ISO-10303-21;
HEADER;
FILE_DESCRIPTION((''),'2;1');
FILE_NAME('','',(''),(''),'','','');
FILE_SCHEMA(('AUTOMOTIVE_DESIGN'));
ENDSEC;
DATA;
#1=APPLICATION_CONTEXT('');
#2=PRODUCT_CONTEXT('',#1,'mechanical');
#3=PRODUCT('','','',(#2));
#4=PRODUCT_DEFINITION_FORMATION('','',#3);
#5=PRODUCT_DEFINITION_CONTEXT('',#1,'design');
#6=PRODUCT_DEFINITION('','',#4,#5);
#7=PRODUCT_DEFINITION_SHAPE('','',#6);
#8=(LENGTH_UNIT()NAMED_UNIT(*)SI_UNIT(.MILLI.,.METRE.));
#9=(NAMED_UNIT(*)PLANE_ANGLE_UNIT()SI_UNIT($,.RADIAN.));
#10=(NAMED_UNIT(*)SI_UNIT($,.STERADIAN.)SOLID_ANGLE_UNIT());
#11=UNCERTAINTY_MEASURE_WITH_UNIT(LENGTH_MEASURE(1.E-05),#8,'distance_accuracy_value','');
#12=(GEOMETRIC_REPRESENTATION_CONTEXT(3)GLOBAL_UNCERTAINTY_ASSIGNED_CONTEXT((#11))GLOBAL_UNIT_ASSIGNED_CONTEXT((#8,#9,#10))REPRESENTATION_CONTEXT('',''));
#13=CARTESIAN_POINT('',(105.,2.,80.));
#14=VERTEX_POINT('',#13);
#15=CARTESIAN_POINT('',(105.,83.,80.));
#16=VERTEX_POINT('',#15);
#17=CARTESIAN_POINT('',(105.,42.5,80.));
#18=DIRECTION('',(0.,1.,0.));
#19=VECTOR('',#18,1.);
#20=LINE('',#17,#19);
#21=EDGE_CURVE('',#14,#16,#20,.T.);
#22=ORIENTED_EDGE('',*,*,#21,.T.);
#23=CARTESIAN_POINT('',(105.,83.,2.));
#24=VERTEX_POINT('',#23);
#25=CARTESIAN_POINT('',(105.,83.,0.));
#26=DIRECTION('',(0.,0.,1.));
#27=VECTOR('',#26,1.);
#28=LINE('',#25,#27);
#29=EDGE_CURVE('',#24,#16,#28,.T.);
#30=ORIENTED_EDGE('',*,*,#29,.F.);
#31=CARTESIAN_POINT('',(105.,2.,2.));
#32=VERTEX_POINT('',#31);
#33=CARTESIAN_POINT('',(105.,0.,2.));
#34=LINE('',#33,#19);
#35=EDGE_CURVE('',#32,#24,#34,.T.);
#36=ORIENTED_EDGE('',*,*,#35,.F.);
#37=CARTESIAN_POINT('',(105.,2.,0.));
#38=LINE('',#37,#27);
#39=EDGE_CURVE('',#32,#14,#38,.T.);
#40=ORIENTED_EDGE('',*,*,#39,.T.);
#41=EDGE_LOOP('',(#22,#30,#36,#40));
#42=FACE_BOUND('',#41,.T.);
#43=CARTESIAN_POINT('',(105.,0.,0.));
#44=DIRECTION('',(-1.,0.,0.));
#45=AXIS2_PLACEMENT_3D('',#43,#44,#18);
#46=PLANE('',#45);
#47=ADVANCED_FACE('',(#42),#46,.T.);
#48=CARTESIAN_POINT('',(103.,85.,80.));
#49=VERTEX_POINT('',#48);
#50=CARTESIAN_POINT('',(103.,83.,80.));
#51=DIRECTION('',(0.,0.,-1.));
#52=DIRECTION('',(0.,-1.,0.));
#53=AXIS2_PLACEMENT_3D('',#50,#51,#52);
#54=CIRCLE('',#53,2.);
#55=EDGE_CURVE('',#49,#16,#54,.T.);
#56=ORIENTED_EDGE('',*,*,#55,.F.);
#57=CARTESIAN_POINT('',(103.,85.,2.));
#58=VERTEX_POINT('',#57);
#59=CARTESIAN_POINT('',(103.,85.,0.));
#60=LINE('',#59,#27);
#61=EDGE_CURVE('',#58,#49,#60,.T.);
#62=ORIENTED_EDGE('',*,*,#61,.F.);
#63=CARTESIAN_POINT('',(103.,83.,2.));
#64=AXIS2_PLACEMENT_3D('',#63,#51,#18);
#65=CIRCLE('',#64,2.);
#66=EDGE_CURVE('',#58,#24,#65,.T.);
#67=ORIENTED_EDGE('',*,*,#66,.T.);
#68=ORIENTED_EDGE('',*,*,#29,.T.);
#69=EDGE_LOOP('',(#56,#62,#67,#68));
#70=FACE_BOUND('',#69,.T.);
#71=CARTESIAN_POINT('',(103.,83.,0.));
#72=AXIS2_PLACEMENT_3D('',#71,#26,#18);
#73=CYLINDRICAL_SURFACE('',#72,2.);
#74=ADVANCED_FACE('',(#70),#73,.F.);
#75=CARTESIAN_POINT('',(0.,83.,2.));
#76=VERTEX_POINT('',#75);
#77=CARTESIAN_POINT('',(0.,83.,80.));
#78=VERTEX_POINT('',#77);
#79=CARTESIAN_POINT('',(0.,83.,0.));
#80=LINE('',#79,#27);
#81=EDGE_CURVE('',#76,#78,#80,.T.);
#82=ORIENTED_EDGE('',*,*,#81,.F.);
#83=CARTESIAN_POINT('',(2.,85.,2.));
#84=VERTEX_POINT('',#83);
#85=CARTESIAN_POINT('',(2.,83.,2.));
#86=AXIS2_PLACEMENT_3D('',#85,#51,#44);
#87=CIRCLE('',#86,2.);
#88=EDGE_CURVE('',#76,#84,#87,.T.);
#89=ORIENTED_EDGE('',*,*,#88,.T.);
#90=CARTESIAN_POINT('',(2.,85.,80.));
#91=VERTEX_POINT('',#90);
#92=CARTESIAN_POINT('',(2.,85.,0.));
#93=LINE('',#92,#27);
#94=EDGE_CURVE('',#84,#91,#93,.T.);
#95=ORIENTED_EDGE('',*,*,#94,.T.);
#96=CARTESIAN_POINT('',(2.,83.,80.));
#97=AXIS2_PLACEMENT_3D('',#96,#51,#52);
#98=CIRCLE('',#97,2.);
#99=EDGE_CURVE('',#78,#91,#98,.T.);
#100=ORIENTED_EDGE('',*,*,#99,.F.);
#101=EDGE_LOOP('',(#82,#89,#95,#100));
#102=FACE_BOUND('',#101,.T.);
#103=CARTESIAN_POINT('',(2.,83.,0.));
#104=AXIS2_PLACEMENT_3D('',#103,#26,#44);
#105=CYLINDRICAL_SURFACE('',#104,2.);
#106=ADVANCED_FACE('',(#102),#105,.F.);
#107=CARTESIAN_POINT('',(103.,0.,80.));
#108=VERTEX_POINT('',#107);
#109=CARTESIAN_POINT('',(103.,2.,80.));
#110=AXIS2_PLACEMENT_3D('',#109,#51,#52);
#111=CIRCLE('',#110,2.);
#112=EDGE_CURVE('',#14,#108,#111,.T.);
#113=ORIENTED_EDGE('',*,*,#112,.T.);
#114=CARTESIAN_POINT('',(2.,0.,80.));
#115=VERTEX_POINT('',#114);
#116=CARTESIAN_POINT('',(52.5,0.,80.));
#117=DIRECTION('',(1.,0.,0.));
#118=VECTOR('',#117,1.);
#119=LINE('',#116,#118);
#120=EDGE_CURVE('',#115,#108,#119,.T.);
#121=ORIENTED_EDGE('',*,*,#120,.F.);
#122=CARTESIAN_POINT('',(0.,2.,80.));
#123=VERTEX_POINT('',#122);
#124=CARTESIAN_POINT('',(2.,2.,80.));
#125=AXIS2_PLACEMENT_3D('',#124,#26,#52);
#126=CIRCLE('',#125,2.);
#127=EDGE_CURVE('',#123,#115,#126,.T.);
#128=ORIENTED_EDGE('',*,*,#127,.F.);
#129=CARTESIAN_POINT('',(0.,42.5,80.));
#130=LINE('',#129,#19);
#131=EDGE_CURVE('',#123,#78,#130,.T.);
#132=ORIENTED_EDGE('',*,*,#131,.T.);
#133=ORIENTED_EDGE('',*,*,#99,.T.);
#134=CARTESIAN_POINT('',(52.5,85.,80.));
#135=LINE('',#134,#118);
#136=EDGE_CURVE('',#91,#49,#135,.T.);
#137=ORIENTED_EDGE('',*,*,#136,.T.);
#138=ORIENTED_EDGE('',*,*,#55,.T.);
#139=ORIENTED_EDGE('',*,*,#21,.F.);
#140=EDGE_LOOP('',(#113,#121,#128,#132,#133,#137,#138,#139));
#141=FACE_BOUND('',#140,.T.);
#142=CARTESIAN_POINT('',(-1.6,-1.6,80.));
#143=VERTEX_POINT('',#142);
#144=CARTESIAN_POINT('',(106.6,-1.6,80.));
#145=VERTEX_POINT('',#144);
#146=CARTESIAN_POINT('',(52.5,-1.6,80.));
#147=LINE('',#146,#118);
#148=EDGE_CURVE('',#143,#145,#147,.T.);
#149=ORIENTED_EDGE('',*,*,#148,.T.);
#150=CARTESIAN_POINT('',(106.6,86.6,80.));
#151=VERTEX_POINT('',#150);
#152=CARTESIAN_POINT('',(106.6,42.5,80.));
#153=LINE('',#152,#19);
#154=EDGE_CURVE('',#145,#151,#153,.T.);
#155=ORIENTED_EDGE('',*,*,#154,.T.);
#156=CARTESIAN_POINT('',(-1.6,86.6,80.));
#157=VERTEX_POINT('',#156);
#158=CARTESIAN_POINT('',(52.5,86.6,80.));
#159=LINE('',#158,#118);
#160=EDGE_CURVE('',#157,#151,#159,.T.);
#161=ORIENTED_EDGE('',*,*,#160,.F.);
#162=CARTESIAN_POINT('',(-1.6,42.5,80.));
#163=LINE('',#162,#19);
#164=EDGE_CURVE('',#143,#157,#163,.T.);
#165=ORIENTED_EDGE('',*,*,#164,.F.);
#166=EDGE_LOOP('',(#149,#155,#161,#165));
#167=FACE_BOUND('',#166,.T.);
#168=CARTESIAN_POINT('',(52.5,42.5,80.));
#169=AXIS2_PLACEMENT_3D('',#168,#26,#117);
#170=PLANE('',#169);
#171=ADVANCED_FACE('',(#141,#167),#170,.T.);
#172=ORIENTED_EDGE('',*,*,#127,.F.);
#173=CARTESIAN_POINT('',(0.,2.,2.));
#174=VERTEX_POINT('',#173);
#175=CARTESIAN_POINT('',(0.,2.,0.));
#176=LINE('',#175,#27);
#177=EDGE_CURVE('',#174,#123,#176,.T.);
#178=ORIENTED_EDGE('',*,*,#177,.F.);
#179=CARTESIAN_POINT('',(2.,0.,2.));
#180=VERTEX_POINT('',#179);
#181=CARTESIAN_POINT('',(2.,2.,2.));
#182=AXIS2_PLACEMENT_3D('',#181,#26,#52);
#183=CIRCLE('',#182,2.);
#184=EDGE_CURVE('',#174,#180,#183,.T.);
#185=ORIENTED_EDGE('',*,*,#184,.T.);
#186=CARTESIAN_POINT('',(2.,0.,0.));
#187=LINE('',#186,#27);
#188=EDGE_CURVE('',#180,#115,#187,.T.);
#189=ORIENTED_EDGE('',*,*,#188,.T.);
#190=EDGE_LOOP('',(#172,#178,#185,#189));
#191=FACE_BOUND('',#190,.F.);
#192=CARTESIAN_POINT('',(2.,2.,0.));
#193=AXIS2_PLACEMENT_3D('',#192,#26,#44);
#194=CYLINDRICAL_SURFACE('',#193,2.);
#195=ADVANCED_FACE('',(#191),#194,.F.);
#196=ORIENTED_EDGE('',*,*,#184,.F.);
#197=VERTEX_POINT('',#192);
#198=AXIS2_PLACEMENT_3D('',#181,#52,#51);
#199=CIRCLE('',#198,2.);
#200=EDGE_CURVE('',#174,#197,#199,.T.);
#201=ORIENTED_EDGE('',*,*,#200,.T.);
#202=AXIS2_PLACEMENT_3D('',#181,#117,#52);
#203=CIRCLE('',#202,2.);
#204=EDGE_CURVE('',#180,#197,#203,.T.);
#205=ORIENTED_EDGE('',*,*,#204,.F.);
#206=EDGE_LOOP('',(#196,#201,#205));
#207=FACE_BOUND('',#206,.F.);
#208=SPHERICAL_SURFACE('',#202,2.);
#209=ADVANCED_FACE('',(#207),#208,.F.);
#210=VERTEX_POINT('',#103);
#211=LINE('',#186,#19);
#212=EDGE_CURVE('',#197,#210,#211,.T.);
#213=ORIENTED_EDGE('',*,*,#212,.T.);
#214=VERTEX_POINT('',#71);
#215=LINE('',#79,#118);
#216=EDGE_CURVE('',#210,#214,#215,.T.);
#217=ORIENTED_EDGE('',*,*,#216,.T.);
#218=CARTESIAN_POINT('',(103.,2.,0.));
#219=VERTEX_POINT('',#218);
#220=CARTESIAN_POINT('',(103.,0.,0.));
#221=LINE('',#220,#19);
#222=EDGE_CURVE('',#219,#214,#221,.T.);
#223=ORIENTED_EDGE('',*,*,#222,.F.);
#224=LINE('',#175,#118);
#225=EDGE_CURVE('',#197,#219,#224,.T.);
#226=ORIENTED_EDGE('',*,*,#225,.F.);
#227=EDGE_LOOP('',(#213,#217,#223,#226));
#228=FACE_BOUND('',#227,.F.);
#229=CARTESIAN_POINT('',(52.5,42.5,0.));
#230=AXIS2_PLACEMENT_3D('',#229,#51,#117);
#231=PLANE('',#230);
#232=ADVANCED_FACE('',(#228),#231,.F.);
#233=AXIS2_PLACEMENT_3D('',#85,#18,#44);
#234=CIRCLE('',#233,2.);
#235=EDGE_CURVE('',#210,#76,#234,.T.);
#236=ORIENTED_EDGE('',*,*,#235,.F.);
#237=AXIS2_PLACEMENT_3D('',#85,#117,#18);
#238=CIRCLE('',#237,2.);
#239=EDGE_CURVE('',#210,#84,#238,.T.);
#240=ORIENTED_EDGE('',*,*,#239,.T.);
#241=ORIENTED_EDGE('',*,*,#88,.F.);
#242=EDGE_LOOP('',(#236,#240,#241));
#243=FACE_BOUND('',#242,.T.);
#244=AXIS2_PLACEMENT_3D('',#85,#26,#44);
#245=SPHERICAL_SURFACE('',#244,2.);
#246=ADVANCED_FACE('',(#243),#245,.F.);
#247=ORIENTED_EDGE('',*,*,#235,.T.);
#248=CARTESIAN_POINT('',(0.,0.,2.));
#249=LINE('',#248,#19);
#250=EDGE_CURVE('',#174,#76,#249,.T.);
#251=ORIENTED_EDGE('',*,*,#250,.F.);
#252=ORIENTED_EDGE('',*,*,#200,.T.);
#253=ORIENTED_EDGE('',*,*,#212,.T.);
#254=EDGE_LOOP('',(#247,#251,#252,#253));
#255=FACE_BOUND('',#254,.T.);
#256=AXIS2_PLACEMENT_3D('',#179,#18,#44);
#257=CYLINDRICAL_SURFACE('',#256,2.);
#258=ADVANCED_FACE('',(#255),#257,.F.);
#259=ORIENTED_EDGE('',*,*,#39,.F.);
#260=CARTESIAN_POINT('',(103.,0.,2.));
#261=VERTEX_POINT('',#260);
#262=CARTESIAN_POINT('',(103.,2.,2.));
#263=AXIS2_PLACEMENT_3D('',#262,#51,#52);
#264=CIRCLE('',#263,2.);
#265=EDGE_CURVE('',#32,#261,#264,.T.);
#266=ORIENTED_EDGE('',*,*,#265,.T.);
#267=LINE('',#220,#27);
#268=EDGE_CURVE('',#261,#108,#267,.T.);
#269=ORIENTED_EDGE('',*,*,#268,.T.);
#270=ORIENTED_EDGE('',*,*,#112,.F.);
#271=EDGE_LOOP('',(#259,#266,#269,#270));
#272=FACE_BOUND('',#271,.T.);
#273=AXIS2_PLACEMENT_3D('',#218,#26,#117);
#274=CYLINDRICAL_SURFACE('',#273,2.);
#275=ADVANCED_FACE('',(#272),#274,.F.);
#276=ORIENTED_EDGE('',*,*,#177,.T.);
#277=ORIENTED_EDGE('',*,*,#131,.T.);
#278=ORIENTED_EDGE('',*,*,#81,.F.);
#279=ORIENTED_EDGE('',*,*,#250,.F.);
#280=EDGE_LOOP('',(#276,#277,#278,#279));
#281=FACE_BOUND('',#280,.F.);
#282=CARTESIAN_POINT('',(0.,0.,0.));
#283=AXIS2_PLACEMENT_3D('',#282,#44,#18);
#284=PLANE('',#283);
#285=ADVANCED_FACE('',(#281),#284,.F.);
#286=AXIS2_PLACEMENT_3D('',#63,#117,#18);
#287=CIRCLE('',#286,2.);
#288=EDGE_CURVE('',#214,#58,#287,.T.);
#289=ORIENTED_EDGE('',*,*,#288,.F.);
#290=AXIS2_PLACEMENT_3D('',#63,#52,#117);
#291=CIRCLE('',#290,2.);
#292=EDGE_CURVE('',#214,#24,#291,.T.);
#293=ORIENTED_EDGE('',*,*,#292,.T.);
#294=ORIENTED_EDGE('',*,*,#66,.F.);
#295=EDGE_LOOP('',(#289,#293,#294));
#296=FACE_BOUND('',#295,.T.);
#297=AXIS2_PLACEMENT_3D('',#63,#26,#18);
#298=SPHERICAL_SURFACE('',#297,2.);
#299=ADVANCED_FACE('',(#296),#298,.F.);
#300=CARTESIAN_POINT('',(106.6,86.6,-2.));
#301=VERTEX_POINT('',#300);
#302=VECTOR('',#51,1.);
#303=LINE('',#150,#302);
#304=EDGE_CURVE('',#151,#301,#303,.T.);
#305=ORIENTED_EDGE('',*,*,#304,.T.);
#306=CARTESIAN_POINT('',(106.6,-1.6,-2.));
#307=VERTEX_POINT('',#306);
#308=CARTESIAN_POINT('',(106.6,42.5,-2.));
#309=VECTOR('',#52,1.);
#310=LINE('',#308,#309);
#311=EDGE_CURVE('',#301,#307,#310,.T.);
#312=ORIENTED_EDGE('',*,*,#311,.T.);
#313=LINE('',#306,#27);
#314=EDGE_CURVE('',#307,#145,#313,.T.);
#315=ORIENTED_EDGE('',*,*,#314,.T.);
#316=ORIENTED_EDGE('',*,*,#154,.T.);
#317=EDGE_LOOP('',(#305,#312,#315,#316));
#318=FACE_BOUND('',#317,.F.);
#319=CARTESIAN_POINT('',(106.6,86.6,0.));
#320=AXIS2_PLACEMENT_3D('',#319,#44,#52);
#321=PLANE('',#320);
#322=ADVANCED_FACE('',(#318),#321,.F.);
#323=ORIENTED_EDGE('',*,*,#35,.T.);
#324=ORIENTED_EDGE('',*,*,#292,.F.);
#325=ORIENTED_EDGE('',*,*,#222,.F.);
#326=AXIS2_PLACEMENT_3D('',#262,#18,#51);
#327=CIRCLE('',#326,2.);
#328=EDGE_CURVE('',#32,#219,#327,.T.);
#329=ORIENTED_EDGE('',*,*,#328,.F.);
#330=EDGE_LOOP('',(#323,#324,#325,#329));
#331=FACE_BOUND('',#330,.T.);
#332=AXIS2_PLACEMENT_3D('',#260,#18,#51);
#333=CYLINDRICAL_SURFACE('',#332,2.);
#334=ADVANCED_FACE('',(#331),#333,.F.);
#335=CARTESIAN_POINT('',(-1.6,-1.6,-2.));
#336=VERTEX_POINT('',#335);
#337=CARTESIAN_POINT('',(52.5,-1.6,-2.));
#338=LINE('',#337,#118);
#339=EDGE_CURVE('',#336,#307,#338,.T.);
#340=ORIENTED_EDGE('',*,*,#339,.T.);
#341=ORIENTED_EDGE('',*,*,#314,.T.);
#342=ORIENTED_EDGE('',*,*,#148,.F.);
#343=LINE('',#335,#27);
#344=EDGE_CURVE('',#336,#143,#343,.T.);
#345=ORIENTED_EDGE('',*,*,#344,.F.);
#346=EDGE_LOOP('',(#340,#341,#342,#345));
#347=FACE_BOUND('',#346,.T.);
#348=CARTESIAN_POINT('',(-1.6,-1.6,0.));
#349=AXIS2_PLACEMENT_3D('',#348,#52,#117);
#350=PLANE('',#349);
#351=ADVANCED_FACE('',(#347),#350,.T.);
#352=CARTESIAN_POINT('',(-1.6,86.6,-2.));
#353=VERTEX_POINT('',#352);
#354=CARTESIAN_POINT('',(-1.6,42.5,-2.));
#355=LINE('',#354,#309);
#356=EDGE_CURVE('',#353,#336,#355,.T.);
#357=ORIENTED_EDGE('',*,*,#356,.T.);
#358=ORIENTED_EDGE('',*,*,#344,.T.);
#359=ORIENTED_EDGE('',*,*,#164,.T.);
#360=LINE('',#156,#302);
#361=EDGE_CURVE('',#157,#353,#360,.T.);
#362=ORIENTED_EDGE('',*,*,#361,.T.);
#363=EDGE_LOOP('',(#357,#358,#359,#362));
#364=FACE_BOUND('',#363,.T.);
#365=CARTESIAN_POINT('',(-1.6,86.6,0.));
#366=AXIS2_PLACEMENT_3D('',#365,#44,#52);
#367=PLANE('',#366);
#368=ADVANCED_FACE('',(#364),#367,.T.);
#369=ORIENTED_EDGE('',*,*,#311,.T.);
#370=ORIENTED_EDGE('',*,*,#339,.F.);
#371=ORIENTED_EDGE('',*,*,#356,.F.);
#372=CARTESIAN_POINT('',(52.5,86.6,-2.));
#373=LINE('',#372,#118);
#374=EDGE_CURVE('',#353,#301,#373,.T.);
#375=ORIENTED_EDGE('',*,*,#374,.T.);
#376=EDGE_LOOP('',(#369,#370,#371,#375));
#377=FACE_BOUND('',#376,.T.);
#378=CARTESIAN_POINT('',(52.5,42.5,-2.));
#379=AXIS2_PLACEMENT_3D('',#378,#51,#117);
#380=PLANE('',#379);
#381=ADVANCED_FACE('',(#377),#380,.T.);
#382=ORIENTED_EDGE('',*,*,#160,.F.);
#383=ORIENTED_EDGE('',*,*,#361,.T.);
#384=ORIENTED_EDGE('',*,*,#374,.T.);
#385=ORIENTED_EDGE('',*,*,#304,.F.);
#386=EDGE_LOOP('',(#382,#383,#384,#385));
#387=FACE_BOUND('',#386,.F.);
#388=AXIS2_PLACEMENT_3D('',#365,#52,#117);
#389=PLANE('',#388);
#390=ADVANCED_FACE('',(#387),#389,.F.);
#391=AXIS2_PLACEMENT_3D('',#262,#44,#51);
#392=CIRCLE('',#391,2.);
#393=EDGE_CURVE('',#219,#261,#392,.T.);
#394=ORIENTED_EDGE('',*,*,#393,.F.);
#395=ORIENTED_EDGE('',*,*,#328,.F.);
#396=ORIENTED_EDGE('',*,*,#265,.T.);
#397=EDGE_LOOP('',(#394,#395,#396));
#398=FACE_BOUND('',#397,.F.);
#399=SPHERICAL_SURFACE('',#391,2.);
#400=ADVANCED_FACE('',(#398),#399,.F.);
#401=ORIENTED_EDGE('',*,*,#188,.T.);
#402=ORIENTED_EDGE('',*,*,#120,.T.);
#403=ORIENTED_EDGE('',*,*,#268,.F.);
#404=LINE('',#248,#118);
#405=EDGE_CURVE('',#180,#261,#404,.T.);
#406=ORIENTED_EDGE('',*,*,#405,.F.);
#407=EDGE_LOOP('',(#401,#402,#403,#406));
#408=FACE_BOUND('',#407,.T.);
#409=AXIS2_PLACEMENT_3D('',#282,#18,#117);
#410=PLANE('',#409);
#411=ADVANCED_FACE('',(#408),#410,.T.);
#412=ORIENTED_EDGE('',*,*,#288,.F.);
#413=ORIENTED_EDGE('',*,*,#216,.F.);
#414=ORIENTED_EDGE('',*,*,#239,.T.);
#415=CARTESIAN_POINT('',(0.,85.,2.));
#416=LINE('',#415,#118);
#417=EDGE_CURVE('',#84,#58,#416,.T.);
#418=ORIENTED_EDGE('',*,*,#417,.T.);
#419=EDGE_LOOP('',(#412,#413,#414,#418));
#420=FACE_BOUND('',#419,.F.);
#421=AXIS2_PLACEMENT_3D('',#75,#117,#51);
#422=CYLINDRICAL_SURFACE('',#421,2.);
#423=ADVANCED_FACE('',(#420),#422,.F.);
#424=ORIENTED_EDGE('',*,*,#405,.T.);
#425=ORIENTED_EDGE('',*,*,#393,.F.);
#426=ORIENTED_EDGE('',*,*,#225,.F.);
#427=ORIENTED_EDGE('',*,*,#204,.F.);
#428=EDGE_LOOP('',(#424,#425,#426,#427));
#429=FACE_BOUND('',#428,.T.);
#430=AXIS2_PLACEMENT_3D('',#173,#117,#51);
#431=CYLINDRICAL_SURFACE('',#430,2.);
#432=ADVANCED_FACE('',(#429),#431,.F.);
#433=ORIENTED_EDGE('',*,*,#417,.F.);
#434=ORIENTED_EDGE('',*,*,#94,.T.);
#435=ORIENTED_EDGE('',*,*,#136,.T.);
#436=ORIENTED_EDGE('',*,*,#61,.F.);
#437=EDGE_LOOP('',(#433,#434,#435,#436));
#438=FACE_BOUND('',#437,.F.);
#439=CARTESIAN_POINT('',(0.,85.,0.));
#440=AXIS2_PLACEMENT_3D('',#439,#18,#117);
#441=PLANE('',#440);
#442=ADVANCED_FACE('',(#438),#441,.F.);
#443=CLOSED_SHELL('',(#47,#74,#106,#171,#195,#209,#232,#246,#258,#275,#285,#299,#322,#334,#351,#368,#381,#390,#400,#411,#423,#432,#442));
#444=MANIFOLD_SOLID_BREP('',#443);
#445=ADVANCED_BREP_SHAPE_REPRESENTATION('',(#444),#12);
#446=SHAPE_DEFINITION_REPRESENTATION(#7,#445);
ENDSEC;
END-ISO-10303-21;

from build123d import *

# Parameters (mm, degrees)
F0_W     = 108.2
F0_H     = 88.2
F0_W_2   = 105
F0_H_2   = 85
F1_DEPTH = 80
F2_W     = 108.2
F2_H     = 88.2
F2_W_2   = 105
F2_H_2   = 85
F3_DEPTH = 2
F4_R     = 2


with BuildPart() as f1:
    # F0 (on Top) → F1 (new body)
    with BuildSketch(Plane.XY):
        with Locations((52.5, 42.5)):
            Rectangle(F0_W, F0_H)
        with Locations((52.5, 42.5)):
            Rectangle(F0_W_2, F0_H_2, mode=Mode.SUBTRACT)
    extrude(amount=F1_DEPTH)

    # F2 (on face) → F3 (join)
    with BuildSketch(Plane(origin=(0, 0, 0), x_dir=(1, 0, 0), z_dir=(0, 0, -1))):
        with Locations((52.5, -42.5)):
            Rectangle(F2_W, F2_H)
        with Locations((52.5, -42.5)):
            Rectangle(F2_W_2, F2_H_2, mode=Mode.SUBTRACT)
        with Locations((52.5, -42.5)):
            Rectangle(F2_W_2, F2_H_2)
    extrude(amount=F3_DEPTH)

    # F4
    f4_edges = [f1.edges().sort_by_distance(p)[0] for p in [
        (0, 85, 40),
        (105, 85, 40),
        (52.5, 0, 0),
        (0, 0, 40),
        (0, 42.5, 0),
        (52.5, 85, 0),
        (105, 42.5, 0),
        (105, 0, 40),
    ]]
    fillet(f4_edges, radius=F4_R)


solid = f1.part
